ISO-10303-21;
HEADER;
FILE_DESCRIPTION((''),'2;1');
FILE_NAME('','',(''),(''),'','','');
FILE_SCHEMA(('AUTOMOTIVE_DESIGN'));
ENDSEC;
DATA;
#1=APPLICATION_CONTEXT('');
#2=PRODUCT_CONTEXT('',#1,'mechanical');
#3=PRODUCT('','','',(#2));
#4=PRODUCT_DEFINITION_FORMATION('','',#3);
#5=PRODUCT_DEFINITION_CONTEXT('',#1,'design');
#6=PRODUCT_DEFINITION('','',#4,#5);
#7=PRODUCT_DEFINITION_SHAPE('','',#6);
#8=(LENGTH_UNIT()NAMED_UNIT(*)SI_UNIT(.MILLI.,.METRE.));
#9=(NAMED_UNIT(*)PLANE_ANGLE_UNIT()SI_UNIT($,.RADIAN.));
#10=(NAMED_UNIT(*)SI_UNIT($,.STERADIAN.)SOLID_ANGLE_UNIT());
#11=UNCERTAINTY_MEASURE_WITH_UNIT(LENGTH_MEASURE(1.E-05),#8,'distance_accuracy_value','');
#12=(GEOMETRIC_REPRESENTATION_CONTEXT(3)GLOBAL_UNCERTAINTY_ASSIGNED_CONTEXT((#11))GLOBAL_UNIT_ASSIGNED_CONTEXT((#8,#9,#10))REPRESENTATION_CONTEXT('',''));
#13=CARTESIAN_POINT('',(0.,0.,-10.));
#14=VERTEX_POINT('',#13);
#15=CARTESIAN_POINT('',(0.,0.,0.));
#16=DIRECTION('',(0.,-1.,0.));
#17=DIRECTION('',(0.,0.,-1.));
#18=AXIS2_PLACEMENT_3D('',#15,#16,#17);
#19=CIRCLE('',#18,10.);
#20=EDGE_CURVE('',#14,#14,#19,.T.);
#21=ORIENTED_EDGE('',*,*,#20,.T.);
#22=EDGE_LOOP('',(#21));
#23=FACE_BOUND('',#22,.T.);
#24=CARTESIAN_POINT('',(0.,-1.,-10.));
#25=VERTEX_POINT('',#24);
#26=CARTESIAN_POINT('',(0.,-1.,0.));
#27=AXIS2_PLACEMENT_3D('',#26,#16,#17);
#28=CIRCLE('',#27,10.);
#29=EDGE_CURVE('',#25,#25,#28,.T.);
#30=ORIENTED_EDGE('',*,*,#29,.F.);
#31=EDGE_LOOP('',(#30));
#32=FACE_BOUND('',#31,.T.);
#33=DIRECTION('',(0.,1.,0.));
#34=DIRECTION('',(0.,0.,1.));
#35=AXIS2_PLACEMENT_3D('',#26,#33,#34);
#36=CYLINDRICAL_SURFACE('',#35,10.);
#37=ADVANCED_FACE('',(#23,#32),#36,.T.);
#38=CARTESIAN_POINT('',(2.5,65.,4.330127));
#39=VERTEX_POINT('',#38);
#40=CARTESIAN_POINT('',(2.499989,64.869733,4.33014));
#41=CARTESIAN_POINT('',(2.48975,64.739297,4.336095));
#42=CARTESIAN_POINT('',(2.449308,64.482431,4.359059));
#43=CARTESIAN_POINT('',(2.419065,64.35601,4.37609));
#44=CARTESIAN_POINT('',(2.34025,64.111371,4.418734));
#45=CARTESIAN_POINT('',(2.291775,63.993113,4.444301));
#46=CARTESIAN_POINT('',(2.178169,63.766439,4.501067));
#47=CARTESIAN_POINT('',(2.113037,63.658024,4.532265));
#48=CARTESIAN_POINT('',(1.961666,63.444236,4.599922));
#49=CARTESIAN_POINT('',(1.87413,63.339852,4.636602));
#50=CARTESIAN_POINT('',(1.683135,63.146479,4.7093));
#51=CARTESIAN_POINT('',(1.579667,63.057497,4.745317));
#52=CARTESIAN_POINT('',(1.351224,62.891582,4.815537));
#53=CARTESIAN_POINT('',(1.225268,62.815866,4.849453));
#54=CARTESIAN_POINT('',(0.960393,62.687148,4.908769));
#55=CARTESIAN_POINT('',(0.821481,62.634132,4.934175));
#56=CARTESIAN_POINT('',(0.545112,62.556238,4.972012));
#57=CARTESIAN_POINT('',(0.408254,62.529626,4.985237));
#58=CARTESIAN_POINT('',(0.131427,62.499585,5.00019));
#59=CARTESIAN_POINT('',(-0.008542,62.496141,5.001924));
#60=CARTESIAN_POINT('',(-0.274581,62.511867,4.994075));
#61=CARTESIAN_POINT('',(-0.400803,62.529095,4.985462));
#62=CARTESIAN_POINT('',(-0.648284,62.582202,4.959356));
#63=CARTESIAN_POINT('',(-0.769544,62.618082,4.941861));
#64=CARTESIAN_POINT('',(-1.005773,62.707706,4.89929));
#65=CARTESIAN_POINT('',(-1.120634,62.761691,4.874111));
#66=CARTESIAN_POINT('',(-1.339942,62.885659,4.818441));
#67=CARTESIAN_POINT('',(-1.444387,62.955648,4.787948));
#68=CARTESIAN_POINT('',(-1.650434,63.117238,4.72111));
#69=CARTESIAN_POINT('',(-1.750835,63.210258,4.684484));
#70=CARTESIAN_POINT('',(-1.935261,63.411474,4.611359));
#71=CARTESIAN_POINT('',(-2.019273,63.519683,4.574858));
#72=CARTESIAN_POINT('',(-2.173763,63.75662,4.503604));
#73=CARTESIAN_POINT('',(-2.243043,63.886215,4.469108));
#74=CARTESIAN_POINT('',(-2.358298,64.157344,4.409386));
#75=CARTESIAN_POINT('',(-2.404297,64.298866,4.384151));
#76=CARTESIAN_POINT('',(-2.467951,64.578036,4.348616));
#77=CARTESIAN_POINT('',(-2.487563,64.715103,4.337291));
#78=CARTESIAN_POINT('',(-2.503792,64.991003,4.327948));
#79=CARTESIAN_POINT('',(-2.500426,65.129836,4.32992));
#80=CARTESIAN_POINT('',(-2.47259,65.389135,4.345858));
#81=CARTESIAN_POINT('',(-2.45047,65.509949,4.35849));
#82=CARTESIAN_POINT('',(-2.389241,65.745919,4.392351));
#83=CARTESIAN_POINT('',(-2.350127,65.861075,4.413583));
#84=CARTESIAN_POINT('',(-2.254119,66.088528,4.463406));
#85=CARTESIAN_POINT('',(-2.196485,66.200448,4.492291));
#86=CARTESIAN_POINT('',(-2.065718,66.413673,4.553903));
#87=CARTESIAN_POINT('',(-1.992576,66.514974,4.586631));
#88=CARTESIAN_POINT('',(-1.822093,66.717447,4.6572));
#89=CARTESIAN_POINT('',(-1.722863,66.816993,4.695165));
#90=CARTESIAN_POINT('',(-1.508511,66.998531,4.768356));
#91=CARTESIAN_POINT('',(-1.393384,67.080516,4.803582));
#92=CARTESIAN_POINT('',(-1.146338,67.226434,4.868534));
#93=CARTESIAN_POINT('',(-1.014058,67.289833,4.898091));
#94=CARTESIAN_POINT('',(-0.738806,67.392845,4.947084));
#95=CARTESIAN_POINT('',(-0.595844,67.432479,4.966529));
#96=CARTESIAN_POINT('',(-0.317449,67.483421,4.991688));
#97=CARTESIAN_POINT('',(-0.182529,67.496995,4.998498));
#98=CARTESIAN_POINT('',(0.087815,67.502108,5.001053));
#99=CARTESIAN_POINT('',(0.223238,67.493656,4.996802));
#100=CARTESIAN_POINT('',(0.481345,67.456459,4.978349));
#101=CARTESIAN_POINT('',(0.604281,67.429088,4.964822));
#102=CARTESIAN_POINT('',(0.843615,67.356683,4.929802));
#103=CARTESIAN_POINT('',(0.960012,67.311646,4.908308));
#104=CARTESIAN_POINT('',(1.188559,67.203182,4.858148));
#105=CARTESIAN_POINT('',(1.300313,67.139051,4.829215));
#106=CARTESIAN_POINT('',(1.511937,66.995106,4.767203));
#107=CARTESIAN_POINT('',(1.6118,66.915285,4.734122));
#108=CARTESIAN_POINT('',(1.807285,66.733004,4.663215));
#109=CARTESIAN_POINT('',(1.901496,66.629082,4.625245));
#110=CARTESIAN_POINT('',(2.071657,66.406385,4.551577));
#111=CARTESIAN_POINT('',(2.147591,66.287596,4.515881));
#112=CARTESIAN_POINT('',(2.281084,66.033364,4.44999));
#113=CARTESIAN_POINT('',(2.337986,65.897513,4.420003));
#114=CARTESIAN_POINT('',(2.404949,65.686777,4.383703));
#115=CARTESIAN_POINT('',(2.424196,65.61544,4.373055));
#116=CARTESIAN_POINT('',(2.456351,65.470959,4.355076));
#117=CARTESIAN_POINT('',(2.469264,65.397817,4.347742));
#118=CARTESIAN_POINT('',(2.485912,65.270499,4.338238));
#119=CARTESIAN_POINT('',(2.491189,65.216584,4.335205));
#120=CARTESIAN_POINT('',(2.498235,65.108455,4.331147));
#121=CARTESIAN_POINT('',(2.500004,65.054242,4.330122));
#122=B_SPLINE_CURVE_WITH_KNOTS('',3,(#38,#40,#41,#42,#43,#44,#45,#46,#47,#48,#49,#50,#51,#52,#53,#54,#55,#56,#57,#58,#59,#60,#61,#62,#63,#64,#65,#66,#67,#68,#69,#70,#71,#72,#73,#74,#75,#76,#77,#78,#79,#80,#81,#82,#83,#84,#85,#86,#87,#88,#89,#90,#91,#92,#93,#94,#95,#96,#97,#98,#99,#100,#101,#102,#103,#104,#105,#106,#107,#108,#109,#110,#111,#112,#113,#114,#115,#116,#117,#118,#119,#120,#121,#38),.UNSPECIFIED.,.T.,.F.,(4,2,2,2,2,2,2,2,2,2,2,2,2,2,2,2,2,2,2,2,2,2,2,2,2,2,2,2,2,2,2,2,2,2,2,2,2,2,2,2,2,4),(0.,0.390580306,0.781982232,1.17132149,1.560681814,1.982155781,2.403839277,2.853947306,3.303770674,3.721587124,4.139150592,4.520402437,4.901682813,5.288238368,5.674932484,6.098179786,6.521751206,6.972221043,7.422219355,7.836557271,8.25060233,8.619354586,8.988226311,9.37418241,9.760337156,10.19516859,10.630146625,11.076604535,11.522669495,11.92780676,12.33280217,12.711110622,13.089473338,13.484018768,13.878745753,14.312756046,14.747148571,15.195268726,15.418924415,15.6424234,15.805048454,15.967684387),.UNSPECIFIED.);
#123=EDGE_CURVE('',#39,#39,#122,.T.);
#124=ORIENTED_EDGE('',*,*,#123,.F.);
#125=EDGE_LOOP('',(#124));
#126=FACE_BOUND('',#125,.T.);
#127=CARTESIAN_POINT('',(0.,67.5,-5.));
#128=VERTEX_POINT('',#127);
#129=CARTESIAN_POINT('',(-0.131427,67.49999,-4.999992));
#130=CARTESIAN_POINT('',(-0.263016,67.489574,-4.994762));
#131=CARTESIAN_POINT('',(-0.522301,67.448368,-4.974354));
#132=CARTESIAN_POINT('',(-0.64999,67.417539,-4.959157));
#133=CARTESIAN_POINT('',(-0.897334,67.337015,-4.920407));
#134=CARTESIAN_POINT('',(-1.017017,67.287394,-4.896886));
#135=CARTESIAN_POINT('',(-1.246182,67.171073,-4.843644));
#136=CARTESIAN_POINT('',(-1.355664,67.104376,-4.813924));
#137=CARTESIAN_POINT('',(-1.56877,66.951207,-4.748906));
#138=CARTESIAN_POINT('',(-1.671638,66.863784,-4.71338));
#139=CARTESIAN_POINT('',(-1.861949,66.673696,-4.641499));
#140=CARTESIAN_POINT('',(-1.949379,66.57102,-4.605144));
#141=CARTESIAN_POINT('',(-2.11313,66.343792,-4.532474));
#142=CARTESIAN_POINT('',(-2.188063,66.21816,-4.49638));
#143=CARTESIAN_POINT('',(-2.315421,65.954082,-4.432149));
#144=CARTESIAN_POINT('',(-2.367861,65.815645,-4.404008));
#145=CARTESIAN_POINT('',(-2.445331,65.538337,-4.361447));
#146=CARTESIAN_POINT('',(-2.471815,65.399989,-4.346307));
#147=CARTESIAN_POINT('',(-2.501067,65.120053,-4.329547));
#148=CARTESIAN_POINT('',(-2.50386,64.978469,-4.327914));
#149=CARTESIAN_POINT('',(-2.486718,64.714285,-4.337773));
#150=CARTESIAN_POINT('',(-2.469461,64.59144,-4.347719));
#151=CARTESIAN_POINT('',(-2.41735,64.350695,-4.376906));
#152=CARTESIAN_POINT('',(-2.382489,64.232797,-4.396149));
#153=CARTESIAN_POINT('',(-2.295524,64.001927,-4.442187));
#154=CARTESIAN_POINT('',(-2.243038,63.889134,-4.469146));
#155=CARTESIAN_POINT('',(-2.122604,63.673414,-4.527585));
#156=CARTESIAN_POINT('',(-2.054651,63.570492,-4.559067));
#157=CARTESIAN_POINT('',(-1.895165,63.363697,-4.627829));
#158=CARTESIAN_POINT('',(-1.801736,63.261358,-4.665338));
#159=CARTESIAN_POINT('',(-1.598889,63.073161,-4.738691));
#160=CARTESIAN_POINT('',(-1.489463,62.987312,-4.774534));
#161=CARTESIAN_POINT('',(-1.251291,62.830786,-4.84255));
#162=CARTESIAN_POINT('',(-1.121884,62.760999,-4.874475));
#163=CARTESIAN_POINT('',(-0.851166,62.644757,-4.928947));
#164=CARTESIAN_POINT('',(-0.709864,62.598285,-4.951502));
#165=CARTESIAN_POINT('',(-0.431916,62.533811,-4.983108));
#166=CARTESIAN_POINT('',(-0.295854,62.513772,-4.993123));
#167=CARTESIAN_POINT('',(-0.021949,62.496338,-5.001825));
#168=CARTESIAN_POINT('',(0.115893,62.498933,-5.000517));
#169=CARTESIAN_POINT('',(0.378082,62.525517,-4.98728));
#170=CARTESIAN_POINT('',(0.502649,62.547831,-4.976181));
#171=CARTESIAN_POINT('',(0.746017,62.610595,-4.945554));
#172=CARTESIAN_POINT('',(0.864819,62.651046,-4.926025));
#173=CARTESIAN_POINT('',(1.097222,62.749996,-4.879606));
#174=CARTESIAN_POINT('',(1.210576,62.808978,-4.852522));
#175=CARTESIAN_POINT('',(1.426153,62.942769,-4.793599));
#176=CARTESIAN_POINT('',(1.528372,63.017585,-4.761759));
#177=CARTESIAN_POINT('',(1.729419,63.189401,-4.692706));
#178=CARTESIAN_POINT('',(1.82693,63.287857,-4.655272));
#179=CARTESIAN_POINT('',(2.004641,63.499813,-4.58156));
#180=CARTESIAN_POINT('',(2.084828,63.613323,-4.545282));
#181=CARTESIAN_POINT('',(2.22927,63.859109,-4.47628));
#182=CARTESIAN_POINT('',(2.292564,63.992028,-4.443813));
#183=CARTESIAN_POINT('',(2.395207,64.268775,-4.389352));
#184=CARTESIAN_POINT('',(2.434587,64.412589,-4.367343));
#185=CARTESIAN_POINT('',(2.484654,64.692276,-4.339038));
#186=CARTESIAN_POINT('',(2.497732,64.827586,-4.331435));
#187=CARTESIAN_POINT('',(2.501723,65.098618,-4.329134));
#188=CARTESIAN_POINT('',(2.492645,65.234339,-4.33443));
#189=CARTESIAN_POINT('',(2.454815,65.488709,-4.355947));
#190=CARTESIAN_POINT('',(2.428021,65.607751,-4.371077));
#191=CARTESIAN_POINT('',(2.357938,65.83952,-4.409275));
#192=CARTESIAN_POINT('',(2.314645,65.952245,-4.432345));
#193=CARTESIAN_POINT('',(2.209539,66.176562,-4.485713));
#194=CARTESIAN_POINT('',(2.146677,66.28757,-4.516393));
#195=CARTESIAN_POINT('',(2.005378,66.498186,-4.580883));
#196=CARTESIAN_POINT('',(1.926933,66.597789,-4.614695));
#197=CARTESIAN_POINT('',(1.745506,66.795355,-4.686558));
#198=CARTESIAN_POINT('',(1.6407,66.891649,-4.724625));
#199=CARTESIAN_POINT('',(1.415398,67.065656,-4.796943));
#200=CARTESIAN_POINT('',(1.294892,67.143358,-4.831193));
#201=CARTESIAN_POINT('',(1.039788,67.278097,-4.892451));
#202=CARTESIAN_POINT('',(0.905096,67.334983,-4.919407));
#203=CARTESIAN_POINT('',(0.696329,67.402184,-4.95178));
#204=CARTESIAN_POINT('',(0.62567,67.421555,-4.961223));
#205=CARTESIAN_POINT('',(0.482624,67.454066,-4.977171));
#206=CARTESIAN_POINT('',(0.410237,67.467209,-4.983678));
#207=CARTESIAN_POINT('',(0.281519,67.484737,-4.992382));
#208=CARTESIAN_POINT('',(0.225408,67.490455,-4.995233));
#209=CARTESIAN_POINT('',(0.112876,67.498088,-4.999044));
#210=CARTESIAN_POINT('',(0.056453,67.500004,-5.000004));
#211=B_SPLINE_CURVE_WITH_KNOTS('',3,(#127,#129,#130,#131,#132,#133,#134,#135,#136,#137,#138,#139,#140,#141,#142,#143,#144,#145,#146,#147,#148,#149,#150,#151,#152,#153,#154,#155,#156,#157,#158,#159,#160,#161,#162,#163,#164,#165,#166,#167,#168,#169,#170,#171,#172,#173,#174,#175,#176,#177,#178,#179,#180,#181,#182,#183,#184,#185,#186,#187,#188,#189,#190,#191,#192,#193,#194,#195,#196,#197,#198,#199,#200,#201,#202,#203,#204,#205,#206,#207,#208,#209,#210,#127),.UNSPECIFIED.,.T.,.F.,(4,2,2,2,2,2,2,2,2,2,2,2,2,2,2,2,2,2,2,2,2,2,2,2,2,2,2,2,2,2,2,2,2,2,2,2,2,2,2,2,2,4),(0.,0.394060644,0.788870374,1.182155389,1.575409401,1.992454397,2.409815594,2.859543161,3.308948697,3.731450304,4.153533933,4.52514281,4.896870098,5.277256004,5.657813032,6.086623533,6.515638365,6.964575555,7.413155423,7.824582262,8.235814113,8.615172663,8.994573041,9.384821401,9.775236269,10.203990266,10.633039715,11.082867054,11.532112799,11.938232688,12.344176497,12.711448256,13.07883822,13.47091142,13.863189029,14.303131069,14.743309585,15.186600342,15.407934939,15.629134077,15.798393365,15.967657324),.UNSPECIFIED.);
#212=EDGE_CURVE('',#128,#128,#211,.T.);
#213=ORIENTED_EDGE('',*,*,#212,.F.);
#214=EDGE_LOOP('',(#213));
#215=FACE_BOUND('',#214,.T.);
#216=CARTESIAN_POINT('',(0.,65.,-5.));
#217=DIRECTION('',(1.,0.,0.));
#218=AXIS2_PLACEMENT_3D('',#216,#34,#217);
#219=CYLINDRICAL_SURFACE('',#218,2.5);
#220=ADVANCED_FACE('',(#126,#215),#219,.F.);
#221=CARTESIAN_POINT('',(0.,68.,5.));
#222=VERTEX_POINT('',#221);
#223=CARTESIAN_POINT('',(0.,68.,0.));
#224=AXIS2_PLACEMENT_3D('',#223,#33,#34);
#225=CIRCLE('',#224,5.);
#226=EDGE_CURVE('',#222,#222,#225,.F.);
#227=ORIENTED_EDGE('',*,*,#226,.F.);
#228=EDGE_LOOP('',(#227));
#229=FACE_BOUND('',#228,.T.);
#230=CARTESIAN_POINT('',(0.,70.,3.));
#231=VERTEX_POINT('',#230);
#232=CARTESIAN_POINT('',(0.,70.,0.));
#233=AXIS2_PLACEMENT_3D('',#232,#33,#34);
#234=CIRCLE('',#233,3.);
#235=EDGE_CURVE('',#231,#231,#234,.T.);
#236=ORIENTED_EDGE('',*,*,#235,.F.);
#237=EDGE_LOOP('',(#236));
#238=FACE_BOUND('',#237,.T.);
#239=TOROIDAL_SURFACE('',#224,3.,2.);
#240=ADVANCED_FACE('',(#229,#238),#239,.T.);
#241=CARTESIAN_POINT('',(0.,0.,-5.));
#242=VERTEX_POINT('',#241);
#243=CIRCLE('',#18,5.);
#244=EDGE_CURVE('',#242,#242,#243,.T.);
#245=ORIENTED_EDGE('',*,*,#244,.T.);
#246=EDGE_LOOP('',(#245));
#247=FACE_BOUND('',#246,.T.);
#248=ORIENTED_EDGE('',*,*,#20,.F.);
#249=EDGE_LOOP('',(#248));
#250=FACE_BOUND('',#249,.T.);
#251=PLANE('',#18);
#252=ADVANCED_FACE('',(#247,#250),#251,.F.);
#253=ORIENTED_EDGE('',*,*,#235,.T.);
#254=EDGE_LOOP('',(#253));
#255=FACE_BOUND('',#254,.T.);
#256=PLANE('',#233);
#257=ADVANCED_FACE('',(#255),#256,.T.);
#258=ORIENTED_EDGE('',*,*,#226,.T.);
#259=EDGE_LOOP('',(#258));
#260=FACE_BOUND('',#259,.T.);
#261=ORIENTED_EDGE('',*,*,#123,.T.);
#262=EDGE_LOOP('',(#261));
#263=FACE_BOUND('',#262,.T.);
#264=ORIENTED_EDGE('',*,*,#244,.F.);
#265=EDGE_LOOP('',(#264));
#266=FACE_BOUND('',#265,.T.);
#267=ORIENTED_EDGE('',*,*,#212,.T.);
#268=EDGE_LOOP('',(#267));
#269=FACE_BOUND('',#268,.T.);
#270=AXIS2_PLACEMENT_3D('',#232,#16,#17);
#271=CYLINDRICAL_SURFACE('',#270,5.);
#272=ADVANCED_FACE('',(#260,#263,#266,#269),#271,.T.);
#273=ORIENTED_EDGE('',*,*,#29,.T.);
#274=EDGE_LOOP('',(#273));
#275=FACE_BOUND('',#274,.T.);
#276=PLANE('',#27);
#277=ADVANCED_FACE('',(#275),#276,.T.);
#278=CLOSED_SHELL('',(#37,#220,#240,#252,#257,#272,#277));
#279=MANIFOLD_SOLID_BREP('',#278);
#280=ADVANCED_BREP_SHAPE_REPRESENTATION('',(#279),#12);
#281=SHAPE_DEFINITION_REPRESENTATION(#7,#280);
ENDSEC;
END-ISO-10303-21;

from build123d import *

# Parameters (mm, degrees)
SCHIZZO1_R                    = 5
ESTRUSIONE_ESTRUSIONE1_DEPTH  = 70
RACCORDO1_R                   = 2
SCHIZZO2_R                    = 2.5
TAGLIO_ESTRUSIONE1_DEPTH      = 6
TAGLIO_ESTRUSIONE1_DEPTH_BACK = 6
SCHIZZO3_R                    = 10
ESTRUSIONE_ESTRUSIONE2_DEPTH  = 1


with BuildPart() as part:
    # Schizzo1 → Estrusione-Estrusione1 (new body)
    with BuildSketch(Plane(origin=(0, 0, 0), x_dir=(1, 0, 0), z_dir=(0, 1, 0))):
        Circle(SCHIZZO1_R)
    extrude(amount=ESTRUSIONE_ESTRUSIONE1_DEPTH)

    # Raccordo1
    raccordo1_edges = [part.edges().sort_by_distance(p)[0] for p in [
        (-5, 70, 0),
    ]]
    fillet(raccordo1_edges, radius=RACCORDO1_R)

    # Schizzo2 → Taglio-Estrusione1 (cut, two sides)
    with BuildSketch(Plane.XY) as taglio_estrusione1_sk:
        with Locations((0, 65)):
            Circle(SCHIZZO2_R)
    extrude(amount=TAGLIO_ESTRUSIONE1_DEPTH, mode=Mode.SUBTRACT)
    extrude(taglio_estrusione1_sk.sketch, amount=-TAGLIO_ESTRUSIONE1_DEPTH_BACK, mode=Mode.SUBTRACT)

    # Schizzo3 → Estrusione-Estrusione2 (add)
    with BuildSketch(Plane(origin=(0, 0, 0), x_dir=(-1, 0, 0), z_dir=(0, -1, 0))):
        Circle(SCHIZZO3_R)
    extrude(amount=ESTRUSIONE_ESTRUSIONE2_DEPTH)


solid = part.part
